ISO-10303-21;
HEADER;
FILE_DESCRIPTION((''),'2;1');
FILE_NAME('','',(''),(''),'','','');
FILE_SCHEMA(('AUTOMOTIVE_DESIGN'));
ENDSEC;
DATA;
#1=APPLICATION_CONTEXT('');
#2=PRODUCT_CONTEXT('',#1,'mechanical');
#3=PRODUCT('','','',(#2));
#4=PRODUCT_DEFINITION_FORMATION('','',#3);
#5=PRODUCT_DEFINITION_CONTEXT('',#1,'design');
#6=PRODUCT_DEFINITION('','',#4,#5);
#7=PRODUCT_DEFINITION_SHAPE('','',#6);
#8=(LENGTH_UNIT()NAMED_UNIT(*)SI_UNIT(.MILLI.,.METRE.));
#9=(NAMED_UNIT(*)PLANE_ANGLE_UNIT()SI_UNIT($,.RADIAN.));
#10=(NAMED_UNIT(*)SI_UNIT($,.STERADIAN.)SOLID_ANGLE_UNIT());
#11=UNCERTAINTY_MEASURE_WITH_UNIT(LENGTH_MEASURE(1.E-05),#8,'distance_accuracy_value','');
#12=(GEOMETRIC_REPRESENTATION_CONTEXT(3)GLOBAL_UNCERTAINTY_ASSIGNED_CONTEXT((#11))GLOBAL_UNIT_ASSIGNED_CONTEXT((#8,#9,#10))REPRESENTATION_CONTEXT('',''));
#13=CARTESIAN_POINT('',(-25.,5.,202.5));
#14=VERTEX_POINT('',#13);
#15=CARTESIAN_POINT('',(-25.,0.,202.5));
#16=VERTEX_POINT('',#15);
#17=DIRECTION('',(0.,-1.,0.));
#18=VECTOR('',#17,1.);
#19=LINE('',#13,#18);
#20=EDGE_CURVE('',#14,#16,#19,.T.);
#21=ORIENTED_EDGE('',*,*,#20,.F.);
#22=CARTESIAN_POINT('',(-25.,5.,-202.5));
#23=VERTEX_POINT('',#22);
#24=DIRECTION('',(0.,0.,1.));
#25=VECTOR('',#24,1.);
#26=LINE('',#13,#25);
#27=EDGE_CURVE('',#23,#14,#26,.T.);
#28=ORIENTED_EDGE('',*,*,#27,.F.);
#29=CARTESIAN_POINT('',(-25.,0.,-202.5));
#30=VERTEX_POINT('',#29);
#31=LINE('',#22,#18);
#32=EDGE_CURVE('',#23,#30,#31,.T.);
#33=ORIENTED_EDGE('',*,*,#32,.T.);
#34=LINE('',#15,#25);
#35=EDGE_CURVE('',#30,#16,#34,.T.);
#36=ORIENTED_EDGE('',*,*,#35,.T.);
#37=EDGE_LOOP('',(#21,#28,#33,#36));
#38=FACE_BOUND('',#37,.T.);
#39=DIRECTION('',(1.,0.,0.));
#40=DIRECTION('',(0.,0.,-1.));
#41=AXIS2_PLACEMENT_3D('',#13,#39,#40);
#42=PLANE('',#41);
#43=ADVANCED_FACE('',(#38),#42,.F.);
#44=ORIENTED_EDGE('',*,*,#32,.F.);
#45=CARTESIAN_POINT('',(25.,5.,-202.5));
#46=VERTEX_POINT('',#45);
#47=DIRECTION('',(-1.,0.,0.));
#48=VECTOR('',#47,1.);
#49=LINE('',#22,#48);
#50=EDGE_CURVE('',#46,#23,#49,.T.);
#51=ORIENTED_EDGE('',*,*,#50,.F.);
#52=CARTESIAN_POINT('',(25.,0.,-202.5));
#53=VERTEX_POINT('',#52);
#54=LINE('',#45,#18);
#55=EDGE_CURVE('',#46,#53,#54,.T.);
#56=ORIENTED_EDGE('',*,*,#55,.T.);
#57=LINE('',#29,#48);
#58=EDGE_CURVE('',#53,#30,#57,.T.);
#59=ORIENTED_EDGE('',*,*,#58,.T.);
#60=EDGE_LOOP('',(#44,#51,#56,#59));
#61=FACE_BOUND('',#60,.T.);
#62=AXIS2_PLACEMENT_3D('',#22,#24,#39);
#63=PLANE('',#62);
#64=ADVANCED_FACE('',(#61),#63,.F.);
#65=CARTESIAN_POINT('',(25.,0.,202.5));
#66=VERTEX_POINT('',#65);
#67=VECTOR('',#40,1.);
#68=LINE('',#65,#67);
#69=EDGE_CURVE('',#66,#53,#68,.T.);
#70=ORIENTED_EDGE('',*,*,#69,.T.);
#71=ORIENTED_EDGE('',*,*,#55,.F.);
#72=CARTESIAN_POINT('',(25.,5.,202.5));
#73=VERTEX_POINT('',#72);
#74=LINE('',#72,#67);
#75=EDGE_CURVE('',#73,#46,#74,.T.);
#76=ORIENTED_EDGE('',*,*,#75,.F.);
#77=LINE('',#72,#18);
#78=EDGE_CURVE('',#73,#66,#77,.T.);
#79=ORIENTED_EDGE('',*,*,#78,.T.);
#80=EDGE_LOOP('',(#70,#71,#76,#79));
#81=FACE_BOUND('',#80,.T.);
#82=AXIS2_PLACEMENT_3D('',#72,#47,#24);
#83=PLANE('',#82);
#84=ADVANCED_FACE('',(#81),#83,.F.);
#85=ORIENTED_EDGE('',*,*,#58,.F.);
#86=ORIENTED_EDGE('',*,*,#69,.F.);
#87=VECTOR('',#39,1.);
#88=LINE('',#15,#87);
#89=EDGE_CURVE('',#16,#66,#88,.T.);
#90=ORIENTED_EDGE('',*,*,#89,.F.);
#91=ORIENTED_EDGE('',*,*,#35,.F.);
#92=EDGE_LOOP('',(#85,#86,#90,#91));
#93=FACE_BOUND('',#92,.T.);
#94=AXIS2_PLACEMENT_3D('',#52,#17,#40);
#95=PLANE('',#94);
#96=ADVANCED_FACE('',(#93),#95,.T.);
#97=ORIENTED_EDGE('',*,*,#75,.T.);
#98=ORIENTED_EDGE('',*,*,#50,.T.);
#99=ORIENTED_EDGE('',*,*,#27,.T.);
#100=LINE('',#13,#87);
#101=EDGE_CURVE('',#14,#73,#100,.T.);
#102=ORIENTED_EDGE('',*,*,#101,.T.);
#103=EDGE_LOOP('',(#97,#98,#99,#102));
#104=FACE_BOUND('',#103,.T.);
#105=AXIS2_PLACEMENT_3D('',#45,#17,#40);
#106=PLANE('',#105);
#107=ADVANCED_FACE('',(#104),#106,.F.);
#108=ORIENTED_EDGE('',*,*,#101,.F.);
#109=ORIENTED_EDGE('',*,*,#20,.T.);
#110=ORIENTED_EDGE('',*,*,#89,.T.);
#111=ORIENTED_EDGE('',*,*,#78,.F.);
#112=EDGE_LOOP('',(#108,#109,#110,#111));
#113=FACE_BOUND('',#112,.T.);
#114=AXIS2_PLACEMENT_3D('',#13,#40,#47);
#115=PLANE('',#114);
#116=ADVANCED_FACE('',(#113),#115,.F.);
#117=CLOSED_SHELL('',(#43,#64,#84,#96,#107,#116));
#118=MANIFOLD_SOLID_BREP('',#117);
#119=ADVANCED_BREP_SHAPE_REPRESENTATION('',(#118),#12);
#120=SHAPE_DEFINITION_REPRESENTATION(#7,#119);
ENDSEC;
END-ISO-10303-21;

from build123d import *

# Parameters (mm, degrees)
SKETCH1_W      = 50
SKETCH1_H      = 405
EXTRUDE1_DEPTH = 5


with BuildPart() as part:
    # Sketch1 → Extrude1 (new body)
    with BuildSketch(Plane(origin=(0, 0, 0), x_dir=(1, 0, 0), z_dir=(0, 1, 0))):
        Rectangle(SKETCH1_W, SKETCH1_H)
    extrude(amount=EXTRUDE1_DEPTH)


solid = part.part
